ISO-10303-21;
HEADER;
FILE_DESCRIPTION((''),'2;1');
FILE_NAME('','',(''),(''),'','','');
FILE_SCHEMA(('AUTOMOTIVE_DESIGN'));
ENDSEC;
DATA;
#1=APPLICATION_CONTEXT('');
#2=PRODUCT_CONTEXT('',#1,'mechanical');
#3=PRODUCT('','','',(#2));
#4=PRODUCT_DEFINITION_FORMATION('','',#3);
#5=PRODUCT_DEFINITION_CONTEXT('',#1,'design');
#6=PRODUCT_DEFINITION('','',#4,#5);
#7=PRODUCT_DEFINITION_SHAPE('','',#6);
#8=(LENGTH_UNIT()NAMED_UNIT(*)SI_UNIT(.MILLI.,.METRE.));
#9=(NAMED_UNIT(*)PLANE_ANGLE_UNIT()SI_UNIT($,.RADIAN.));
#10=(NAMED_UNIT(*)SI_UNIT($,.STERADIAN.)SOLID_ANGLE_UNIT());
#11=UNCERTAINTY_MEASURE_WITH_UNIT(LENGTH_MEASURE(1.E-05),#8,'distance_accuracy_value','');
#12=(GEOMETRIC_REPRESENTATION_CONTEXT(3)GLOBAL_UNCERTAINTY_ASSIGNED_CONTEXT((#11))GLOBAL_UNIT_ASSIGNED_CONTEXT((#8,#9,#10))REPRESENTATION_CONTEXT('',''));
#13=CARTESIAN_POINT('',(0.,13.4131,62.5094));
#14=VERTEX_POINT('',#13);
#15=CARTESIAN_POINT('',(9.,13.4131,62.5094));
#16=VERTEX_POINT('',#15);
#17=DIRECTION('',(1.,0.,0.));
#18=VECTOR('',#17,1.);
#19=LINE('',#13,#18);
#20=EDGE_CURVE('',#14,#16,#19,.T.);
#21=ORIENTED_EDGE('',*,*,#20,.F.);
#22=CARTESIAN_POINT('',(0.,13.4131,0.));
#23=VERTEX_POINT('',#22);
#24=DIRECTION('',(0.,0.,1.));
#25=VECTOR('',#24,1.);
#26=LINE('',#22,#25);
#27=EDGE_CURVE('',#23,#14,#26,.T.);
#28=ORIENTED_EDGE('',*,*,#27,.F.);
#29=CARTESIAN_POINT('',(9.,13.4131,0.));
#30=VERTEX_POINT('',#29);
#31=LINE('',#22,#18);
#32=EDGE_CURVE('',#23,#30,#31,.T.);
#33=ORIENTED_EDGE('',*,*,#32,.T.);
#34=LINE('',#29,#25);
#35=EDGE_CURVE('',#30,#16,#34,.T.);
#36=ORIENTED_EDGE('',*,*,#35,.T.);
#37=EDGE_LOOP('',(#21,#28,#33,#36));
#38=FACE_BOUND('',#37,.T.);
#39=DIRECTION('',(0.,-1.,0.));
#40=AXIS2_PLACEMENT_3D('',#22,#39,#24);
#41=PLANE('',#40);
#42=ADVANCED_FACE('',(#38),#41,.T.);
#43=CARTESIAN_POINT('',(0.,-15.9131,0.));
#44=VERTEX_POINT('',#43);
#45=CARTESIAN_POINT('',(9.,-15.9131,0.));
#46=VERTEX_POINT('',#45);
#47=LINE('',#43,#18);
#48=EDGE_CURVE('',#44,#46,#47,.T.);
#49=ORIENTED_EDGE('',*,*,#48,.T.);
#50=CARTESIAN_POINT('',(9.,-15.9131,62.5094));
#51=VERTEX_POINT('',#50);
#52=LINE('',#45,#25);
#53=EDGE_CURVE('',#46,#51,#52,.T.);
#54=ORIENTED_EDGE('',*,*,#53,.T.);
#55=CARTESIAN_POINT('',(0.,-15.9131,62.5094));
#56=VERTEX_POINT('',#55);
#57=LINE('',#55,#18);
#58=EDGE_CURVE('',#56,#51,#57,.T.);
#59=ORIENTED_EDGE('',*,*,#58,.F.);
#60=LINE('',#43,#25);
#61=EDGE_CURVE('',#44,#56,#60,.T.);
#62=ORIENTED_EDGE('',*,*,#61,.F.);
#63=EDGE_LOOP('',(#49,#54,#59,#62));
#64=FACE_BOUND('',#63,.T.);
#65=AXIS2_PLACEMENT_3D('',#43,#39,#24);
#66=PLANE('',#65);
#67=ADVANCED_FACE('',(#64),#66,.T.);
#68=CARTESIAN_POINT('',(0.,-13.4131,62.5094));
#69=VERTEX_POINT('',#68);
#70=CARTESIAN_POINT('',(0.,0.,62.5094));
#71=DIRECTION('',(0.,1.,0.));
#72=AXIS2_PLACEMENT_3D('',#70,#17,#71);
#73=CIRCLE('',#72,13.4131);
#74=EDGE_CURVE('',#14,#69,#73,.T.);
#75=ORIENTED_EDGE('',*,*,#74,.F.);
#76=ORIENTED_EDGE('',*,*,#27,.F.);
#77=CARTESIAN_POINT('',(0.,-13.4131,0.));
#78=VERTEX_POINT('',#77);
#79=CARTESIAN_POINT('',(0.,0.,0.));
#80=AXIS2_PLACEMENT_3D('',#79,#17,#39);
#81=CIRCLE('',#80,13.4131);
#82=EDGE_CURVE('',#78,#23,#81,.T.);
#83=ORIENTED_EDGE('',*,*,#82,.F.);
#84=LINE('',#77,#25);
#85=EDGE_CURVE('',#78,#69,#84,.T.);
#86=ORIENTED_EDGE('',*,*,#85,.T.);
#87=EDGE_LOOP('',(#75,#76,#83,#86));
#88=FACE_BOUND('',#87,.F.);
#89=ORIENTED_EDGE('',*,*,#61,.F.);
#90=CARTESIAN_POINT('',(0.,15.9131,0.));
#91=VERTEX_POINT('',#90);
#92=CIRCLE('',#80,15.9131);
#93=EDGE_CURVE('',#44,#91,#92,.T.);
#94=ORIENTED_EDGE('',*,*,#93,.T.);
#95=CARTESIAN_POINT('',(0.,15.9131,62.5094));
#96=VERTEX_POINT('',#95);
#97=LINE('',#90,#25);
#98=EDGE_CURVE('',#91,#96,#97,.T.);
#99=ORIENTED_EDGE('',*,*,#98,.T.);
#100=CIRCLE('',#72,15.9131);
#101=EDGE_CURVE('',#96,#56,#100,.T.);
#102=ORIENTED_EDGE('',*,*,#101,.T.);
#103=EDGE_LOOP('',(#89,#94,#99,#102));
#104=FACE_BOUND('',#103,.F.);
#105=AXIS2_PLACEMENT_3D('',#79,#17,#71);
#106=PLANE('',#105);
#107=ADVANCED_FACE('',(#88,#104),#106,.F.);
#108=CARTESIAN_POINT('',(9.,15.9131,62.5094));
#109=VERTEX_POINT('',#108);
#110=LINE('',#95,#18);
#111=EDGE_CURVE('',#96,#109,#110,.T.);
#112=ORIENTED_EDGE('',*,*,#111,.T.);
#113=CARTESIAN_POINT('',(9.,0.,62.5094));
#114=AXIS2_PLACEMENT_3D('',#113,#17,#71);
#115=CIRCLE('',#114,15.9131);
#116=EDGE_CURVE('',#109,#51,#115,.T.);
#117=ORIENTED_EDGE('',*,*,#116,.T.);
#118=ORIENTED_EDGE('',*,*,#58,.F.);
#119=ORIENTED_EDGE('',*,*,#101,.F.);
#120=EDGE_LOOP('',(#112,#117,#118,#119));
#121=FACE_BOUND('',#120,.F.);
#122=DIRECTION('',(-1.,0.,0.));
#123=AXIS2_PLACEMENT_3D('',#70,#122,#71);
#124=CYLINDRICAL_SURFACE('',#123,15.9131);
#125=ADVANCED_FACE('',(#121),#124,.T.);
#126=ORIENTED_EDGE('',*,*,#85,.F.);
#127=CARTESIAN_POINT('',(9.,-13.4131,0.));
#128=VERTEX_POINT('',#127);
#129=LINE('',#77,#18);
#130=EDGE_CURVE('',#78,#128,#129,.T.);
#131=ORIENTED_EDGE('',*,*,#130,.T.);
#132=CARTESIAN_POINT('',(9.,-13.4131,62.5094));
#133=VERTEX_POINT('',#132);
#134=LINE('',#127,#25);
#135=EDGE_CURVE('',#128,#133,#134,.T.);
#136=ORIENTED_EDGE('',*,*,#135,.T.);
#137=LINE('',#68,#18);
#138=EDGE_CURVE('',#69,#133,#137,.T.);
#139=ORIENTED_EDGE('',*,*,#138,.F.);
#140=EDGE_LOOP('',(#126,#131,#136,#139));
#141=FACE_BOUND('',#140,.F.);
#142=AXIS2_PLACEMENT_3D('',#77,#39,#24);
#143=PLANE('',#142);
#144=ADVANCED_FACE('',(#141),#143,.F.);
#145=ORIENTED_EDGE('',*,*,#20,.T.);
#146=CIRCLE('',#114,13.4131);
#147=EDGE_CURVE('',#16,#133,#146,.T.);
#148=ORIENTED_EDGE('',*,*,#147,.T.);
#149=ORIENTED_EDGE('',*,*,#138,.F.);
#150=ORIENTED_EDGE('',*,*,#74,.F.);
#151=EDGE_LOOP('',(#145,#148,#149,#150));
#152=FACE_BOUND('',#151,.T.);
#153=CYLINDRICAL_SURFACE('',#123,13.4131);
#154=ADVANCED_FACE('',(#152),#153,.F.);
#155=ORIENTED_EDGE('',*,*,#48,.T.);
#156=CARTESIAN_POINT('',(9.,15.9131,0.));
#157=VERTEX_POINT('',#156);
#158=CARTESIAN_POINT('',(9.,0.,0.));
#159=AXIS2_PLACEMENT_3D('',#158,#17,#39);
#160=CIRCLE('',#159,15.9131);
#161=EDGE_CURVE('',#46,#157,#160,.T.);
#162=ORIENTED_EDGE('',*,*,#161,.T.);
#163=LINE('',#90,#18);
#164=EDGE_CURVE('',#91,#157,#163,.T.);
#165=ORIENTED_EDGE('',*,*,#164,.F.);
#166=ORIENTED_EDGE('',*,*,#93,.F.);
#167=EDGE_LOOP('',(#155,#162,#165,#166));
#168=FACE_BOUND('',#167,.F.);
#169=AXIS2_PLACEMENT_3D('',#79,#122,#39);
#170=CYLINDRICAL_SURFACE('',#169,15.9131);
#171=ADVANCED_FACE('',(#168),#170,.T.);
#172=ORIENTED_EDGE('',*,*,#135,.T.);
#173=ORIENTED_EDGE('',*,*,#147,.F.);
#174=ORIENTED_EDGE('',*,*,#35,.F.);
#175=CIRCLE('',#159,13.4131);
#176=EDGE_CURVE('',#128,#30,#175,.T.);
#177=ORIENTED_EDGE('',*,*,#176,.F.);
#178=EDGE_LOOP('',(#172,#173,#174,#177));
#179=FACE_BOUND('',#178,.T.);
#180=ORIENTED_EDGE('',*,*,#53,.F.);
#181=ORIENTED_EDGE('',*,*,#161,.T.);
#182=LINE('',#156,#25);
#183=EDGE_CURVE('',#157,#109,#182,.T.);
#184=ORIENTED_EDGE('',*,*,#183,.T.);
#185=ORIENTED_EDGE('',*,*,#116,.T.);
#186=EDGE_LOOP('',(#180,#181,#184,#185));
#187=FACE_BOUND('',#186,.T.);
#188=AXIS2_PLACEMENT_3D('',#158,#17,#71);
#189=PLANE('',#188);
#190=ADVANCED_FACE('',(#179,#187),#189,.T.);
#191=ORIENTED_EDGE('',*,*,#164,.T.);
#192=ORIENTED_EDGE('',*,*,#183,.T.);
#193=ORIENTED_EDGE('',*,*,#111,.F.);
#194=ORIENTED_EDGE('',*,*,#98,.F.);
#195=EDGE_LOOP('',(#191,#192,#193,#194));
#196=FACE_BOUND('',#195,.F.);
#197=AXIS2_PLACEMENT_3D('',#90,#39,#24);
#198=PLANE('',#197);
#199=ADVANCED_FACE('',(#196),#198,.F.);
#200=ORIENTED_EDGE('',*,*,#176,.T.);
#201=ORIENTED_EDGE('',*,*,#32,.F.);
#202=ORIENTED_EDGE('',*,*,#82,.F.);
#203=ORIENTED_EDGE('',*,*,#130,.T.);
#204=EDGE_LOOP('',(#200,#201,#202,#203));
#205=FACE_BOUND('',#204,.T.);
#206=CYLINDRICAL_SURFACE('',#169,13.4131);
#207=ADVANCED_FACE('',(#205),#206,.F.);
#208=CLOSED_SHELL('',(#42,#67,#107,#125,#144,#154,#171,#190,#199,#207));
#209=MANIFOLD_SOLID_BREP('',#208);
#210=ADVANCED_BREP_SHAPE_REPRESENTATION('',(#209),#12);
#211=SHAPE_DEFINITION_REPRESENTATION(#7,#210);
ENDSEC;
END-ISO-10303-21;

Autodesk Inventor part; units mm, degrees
ref_plane "YZ Plane" through (0, 0, 0) normal (1, 0, 0) x (0, 1, 0)
ref_plane "XZ Plane" through (0, 0, 0) normal (0, 1, 0) x (-1, 0, 0)
ref_plane "XY Plane" through (0, 0, 0) normal (0, 0, 1) x (1, 0, 0)
sketch "Sketch1" plane through (0, 0, 0) normal (1, 0, 0) x (0, 1, 0)
  arc A0 (-13.4131, 0) -> (13.4131, 0) centre (0, 0) ccw
  arc A1 (-15.9131, 0) -> (15.9131, 0) centre (0, 0) ccw
  arc A2 (13.4131, 62.5094) -> (-13.4131, 62.5094) centre (0, 62.5094) ccw
  arc A3 (15.9131, 62.5094) -> (-15.9131, 62.5094) centre (0, 62.5094) ccw
  line L0 (13.4131, 0) -> (13.4131, 62.5094)
  line L1 (-13.4131, 0) -> (-13.4131, 62.5094)
  line L2 (15.9131, 0) -> (15.9131, 62.5094)
  line L3 (-15.9131, 0) -> (-15.9131, 62.5094)
  dimension "d0" = 2.5
  dimension "d1" = 13.4131
  dimension "d2" = 62.5094
extrude "Extrusion1" add sketch "Sketch1" along normal blind 9
properties part number "STANDIN,130T,HTD5mm,BELT" material "Nylon 6/6"
